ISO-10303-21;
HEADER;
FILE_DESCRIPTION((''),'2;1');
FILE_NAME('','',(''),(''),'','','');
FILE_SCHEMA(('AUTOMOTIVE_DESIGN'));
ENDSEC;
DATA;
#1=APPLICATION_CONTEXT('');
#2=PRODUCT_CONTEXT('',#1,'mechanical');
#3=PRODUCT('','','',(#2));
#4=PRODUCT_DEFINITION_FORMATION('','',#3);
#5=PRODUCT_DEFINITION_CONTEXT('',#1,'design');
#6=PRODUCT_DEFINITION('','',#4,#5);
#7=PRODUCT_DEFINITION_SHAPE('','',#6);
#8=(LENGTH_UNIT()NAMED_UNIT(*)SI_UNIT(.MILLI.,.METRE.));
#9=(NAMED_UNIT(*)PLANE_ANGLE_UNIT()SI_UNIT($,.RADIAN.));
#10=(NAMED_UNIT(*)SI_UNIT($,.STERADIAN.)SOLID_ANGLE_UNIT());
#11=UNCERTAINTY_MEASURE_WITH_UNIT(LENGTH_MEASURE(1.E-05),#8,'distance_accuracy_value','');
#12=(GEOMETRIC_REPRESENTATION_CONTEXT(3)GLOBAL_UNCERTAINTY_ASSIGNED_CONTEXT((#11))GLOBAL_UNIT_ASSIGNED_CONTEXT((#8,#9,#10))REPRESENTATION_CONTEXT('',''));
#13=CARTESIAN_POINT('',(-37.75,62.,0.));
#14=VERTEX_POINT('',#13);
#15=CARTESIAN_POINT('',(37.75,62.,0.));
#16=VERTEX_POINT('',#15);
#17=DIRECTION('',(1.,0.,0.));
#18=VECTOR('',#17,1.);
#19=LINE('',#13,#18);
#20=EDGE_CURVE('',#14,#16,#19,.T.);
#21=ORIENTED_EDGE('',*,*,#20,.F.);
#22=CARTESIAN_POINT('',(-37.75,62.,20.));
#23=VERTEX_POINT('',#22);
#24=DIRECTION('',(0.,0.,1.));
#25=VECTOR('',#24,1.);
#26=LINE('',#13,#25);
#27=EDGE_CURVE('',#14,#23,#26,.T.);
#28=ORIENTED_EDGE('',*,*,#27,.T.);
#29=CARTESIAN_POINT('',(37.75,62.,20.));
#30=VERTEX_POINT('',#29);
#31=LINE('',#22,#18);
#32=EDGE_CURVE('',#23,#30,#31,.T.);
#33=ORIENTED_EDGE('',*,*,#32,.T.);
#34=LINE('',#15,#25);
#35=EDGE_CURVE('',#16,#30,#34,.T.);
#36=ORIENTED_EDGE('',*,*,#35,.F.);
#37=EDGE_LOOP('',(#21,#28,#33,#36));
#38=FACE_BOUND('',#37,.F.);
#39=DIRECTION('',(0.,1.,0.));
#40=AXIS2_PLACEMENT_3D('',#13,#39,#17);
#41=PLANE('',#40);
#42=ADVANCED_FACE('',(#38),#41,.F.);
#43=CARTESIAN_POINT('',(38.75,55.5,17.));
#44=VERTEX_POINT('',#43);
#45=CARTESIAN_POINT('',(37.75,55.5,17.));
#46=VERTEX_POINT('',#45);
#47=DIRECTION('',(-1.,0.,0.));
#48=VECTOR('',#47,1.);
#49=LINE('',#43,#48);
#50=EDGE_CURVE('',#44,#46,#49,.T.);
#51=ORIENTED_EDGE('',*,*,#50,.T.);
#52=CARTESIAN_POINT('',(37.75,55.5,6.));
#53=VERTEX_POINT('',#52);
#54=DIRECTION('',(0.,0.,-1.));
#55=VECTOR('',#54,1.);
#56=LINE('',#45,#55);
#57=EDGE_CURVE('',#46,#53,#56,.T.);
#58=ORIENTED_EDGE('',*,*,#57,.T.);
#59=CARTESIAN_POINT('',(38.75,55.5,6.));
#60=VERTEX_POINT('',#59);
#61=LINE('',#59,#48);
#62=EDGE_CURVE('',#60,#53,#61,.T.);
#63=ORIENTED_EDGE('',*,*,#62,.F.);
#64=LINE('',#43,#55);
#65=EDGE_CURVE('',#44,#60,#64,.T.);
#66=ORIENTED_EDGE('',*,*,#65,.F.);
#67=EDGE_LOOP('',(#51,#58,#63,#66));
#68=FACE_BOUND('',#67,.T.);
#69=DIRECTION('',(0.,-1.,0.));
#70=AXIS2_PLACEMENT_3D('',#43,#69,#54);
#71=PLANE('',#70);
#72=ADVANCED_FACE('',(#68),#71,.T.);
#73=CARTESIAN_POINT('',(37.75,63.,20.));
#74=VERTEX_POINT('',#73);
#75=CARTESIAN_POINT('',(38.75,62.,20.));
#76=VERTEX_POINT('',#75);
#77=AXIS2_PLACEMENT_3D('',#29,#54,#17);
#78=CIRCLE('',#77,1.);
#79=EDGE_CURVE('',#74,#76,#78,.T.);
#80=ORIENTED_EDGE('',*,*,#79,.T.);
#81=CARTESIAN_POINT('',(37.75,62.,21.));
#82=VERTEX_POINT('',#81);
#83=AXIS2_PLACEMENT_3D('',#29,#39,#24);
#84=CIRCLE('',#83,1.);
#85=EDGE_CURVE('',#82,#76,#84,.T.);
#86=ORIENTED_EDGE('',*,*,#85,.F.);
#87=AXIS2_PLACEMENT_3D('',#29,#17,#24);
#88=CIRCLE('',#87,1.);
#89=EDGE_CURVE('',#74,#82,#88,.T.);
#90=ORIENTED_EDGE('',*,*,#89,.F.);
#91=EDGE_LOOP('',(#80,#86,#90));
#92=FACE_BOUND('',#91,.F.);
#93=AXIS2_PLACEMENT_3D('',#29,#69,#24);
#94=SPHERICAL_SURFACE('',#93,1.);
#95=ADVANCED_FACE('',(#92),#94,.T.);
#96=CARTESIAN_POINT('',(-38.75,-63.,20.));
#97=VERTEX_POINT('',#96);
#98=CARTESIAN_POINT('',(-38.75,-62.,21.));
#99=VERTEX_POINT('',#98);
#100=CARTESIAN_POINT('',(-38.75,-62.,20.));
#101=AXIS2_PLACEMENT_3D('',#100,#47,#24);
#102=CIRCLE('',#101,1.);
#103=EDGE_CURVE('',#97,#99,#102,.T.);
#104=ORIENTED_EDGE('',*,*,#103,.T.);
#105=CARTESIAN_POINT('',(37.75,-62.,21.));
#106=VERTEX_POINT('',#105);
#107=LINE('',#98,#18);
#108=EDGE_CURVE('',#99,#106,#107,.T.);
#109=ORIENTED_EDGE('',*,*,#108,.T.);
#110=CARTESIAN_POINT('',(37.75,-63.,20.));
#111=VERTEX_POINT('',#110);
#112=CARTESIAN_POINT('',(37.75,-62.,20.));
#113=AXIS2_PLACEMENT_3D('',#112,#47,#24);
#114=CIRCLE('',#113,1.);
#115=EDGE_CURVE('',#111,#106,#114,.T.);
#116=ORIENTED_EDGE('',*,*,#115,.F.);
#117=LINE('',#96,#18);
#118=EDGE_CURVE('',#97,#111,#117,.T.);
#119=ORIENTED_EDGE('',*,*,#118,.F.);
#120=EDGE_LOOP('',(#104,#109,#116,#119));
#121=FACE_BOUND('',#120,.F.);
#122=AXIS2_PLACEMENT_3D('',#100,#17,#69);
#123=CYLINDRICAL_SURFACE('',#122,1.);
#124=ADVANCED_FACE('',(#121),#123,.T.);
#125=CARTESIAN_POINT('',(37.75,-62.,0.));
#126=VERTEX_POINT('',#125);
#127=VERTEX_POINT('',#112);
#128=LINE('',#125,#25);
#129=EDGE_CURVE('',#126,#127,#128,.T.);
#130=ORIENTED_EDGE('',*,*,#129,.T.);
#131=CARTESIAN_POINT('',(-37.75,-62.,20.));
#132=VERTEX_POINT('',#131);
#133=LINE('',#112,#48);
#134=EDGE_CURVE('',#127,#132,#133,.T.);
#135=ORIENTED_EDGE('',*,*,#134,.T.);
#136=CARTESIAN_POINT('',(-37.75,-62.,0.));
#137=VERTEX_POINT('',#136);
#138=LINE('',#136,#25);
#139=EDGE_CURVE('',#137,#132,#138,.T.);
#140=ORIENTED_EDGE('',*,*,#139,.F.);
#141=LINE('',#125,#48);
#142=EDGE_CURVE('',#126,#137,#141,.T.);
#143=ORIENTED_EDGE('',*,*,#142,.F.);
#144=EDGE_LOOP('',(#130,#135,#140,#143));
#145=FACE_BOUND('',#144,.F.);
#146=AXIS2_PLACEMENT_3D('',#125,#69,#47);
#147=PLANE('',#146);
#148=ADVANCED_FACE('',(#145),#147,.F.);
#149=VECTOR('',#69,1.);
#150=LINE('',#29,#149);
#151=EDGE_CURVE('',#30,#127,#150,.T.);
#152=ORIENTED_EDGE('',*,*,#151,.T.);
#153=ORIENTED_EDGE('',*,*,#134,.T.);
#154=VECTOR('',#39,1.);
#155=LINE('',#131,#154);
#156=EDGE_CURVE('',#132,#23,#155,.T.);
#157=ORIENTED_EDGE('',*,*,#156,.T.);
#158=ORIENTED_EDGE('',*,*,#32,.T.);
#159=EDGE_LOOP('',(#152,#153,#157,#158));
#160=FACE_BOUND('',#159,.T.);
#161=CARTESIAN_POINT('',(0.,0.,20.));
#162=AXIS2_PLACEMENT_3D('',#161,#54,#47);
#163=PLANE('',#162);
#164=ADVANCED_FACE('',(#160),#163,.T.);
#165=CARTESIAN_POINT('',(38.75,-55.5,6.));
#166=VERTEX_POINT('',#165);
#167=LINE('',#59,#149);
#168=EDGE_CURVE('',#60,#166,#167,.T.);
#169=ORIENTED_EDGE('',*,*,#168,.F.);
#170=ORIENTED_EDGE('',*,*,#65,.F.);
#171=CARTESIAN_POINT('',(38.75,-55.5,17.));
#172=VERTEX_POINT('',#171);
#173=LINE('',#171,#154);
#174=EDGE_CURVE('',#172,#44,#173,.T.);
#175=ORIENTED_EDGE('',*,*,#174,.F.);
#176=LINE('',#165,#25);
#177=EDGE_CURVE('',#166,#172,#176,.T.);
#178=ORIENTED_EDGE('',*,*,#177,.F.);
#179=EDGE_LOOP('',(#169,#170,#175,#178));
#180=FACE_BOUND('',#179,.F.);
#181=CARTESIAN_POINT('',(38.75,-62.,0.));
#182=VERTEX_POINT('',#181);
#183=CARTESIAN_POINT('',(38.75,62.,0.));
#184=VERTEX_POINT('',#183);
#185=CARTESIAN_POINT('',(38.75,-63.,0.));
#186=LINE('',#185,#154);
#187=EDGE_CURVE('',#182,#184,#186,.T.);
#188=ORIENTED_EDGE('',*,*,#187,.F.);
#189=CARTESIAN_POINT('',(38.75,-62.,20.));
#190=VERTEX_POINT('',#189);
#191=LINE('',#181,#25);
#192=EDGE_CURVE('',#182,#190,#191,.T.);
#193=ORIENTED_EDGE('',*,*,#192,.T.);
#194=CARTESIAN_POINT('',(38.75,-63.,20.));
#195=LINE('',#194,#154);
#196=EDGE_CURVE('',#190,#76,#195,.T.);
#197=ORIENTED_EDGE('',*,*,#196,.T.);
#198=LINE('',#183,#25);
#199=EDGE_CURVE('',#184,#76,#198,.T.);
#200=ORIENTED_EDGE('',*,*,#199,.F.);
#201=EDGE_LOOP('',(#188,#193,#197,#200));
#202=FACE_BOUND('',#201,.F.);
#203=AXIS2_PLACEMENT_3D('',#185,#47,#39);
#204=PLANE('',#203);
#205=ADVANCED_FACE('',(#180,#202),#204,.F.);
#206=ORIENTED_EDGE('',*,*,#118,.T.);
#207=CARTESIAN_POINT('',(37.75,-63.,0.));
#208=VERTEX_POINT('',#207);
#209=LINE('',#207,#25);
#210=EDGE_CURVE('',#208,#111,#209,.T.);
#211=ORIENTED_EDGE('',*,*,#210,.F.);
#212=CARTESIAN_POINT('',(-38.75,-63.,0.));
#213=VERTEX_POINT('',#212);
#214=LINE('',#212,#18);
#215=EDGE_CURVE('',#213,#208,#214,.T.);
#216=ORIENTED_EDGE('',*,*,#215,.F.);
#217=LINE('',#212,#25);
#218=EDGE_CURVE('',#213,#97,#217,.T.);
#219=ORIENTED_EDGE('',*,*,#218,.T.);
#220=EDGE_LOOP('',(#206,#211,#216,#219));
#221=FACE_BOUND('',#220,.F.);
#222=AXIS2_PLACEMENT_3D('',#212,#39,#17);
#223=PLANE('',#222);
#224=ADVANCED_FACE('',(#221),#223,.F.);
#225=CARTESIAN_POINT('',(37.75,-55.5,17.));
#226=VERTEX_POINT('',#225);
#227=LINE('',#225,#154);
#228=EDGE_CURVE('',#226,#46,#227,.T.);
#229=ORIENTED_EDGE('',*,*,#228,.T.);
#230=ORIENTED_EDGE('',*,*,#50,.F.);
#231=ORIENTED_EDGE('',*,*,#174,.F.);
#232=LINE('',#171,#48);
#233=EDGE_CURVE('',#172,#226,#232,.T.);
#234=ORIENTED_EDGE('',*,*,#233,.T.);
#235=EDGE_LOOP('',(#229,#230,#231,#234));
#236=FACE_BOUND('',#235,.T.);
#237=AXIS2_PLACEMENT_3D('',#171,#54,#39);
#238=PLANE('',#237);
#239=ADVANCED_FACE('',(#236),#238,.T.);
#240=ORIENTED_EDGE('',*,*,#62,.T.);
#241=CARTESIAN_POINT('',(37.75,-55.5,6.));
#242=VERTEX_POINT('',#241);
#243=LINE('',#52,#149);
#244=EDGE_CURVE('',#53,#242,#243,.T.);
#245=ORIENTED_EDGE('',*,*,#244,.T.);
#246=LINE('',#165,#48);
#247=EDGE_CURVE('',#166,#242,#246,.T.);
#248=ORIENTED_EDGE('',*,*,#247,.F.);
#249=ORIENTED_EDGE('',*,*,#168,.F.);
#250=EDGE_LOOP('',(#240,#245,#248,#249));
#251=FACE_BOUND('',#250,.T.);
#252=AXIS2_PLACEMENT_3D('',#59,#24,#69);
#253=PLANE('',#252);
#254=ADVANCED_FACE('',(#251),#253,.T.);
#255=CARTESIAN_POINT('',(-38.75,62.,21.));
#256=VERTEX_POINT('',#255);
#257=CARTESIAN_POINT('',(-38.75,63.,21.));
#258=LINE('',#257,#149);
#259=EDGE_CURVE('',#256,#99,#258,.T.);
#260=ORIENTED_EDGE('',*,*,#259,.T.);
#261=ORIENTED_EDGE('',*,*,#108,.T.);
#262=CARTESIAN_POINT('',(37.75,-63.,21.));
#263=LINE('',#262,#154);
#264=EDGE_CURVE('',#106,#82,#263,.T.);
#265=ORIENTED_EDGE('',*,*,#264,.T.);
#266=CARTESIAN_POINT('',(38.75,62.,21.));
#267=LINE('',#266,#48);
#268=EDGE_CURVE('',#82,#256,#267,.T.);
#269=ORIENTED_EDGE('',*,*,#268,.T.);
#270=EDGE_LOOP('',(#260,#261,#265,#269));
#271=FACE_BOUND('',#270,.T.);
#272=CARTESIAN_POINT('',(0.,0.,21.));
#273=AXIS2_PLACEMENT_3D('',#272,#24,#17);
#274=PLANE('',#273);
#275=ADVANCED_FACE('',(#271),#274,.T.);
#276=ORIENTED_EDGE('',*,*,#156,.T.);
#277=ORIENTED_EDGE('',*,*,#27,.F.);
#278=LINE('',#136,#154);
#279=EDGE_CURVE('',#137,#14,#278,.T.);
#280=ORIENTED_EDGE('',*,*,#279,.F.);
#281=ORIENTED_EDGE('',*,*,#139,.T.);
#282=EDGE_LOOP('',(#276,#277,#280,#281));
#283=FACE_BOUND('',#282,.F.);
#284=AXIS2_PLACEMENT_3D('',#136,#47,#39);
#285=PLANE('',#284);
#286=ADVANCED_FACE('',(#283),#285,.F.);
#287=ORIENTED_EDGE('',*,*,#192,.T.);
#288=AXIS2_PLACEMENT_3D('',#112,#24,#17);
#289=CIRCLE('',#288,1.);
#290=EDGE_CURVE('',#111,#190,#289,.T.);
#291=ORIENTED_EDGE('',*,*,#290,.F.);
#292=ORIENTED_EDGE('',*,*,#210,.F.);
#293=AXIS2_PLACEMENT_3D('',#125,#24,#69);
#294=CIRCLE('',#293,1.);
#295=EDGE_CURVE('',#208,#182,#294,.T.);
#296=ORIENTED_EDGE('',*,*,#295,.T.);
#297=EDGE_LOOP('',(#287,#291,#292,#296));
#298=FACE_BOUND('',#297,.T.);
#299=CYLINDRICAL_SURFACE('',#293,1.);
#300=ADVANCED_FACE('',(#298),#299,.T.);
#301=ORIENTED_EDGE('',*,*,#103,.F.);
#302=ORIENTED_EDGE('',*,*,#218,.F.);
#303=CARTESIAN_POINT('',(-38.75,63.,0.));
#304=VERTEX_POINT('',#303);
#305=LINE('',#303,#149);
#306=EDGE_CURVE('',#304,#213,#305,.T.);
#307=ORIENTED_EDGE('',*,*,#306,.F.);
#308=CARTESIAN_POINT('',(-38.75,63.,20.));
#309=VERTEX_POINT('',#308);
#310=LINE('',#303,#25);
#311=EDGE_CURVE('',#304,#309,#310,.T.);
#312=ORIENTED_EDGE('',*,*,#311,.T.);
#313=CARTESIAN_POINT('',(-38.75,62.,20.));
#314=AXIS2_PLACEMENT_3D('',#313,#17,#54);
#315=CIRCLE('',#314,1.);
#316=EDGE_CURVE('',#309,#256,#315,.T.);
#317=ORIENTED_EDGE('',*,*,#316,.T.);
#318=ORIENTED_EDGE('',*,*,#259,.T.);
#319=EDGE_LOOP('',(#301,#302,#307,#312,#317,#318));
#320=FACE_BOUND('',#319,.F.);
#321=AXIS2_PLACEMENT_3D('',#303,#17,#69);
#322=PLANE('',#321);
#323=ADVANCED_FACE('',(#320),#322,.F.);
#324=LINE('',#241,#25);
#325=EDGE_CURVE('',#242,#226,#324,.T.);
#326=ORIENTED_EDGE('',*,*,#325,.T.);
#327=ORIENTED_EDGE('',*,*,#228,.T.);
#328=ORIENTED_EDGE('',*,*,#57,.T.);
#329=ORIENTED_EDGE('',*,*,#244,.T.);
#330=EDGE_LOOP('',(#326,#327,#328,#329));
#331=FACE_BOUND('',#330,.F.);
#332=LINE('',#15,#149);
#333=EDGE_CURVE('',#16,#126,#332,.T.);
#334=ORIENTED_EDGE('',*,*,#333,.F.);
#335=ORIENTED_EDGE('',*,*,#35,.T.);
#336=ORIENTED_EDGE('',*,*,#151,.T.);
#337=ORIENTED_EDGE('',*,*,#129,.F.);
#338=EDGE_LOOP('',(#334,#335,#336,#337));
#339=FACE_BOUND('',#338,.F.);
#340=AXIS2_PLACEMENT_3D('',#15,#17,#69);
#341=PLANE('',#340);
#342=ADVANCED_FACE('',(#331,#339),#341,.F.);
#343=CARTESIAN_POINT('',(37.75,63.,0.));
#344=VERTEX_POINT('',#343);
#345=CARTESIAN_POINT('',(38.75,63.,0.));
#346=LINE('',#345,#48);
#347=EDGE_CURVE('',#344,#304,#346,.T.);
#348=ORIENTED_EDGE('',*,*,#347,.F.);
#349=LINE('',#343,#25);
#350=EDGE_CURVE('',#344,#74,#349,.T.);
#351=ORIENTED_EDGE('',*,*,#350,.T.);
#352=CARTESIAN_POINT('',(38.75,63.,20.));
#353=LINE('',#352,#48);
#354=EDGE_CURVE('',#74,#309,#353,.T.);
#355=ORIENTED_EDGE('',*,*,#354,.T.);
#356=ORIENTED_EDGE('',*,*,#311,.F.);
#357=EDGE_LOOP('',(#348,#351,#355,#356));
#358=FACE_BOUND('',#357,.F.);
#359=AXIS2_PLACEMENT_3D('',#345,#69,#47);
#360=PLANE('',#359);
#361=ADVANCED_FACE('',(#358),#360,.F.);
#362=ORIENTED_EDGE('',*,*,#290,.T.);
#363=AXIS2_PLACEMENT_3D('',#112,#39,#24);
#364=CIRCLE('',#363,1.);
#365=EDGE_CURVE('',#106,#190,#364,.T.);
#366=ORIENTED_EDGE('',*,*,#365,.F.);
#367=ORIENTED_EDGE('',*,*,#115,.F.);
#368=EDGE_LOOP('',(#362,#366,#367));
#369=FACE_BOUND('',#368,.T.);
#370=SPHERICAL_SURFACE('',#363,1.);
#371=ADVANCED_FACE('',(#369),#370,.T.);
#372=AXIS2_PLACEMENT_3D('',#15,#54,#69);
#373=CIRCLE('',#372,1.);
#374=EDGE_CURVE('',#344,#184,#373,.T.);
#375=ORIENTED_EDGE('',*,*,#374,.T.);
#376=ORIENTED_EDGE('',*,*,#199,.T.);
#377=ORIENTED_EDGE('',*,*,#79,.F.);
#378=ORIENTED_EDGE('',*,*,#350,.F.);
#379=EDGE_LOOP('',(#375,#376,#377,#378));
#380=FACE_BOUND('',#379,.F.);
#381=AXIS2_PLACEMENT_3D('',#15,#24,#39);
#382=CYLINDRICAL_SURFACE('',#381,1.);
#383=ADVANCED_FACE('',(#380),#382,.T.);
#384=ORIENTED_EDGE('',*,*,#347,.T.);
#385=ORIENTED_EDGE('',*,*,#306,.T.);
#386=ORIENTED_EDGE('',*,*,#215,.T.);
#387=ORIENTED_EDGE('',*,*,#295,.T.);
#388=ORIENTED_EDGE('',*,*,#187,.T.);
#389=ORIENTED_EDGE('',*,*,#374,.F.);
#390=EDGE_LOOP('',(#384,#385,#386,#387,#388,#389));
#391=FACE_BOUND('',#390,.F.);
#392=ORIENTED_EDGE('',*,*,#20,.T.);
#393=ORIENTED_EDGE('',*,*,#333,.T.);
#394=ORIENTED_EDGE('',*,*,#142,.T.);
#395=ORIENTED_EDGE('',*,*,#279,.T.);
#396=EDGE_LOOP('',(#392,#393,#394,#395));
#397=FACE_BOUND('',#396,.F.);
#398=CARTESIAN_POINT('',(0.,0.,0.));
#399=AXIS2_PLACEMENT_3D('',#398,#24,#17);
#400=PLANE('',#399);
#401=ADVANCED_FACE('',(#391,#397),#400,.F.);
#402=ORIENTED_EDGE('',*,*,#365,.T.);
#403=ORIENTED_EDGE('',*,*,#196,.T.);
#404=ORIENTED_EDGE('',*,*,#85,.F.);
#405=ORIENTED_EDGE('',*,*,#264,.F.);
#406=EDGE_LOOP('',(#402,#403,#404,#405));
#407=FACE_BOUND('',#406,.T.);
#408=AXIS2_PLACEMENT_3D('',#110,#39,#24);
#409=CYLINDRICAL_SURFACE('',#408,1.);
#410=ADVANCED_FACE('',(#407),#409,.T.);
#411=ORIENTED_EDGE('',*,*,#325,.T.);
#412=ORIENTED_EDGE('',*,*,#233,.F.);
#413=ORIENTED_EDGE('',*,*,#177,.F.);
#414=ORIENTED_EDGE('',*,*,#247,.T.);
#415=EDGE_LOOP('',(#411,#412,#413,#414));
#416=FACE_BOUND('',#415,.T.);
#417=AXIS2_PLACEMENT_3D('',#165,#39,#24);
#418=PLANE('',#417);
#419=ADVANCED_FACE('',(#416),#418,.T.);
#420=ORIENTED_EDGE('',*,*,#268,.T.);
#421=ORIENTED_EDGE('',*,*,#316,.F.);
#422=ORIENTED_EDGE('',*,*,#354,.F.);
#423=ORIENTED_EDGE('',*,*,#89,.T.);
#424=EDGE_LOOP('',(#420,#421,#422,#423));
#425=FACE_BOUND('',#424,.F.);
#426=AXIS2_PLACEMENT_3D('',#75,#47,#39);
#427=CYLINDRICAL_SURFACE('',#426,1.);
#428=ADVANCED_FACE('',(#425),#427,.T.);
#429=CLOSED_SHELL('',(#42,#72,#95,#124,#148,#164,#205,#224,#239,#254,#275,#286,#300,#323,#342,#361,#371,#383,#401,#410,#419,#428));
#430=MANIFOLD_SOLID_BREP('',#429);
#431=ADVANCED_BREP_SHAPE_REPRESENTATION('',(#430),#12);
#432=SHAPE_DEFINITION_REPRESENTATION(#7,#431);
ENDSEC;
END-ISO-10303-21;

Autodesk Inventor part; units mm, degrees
ref_plane "YZ Plane" through (0, 0, 0) normal (1, 0, 0) x (0, 1, 0)
ref_plane "XZ Plane" through (0, 0, 0) normal (0, 1, 0) x (-1, 0, 0)
ref_plane "XY Plane" through (0, 0, 0) normal (0, 0, 1) x (1, 0, 0)
sketch "Skizze1" plane through (0, 0, 0) normal (0, 0, 1) x (1, 0, 0)
  line L0 (-38.75, -63) -> (38.75, -63)
  line L1 (38.75, -63) -> (38.75, 63)
  line L2 (38.75, 63) -> (-38.75, 63)
  line L3 (-38.75, 63) -> (-38.75, -63)
  line L4 (-38.75, -63) -> (38.75, 63) construction
  line L5 (38.75, -63) -> (-38.75, 63) construction
  point P0 (0, 0)
  dimension "d23" = 77.5
  dimension "d24" = 126
extrude "Grundkörper" add sketch "Skizze1" along normal blind 21
sketch "Skizze6" plane through (0, 0, 0) normal (0, 0, -1) x (-1, 0, 0)
  line L0 (-37.75, -62) -> (37.75, -62)
  line L1 (37.75, -62) -> (37.75, 62)
  line L2 (37.75, 62) -> (-37.75, 62)
  line L3 (-37.75, 62) -> (-37.75, -62)
  line L4 (-37.75, -62) -> (37.75, 62) construction
  line L5 (37.75, -62) -> (-37.75, 62) construction
  line L6 (-38.75, 63) -> (38.75, 63) projected
  line L7 (38.75, 63) -> (38.75, -63) projected
  point P0 (0, 0)
  dimension "d27" = 1
  dimension "d28" = 1
extrude "Ausschnitt" cut sketch "Skizze6" against normal blind 20
sketch "Skizze8" plane through (38.75, -63, 0) normal (1, 0, 0) x (0, 0, -1)
  line L0 (0, 0) -> (-21, 0) construction
  line L1 (0, 0) -> (0, 126) construction
  line L2 (0, 126) -> (-21, 126) construction
  line L3 (-21, 0) -> (-21, 126) construction
  line L4 (-25.2, 63) -> (4.2, 63) construction
  line L5 (-6, 7.5) -> (-17, 7.5)
  line L6 (-17, 7.5) -> (-17, 118.5)
  line L7 (-17, 118.5) -> (-6, 118.5)
  line L8 (-6, 118.5) -> (-6, 7.5)
  line L9 (-6, 7.5) -> (-17, 118.5) construction
  line L10 (-17, 7.5) -> (-6, 118.5) construction
  point P0 (0, 63)
  point P1 (-11.5, 63)
  dimension "d32" = 7.5
  dimension "d33" = 6
  dimension "d34" = 4
extrude "Anschlüsse" cut sketch "Skizze8" against normal up to surface (1 mm away)
fillet "Rundung2" radius 1 5 edges at (38.75, 0, 21) (0, 63, 21) (0, -63, 21) (38.75, -63, 10.5) (38.75, 63, 10.5)
equation "\"d28\" = d27"
properties part number "800-20-MOTOR-CONTROLLER-BLD-300B-02" material "Aluminium 6061"
